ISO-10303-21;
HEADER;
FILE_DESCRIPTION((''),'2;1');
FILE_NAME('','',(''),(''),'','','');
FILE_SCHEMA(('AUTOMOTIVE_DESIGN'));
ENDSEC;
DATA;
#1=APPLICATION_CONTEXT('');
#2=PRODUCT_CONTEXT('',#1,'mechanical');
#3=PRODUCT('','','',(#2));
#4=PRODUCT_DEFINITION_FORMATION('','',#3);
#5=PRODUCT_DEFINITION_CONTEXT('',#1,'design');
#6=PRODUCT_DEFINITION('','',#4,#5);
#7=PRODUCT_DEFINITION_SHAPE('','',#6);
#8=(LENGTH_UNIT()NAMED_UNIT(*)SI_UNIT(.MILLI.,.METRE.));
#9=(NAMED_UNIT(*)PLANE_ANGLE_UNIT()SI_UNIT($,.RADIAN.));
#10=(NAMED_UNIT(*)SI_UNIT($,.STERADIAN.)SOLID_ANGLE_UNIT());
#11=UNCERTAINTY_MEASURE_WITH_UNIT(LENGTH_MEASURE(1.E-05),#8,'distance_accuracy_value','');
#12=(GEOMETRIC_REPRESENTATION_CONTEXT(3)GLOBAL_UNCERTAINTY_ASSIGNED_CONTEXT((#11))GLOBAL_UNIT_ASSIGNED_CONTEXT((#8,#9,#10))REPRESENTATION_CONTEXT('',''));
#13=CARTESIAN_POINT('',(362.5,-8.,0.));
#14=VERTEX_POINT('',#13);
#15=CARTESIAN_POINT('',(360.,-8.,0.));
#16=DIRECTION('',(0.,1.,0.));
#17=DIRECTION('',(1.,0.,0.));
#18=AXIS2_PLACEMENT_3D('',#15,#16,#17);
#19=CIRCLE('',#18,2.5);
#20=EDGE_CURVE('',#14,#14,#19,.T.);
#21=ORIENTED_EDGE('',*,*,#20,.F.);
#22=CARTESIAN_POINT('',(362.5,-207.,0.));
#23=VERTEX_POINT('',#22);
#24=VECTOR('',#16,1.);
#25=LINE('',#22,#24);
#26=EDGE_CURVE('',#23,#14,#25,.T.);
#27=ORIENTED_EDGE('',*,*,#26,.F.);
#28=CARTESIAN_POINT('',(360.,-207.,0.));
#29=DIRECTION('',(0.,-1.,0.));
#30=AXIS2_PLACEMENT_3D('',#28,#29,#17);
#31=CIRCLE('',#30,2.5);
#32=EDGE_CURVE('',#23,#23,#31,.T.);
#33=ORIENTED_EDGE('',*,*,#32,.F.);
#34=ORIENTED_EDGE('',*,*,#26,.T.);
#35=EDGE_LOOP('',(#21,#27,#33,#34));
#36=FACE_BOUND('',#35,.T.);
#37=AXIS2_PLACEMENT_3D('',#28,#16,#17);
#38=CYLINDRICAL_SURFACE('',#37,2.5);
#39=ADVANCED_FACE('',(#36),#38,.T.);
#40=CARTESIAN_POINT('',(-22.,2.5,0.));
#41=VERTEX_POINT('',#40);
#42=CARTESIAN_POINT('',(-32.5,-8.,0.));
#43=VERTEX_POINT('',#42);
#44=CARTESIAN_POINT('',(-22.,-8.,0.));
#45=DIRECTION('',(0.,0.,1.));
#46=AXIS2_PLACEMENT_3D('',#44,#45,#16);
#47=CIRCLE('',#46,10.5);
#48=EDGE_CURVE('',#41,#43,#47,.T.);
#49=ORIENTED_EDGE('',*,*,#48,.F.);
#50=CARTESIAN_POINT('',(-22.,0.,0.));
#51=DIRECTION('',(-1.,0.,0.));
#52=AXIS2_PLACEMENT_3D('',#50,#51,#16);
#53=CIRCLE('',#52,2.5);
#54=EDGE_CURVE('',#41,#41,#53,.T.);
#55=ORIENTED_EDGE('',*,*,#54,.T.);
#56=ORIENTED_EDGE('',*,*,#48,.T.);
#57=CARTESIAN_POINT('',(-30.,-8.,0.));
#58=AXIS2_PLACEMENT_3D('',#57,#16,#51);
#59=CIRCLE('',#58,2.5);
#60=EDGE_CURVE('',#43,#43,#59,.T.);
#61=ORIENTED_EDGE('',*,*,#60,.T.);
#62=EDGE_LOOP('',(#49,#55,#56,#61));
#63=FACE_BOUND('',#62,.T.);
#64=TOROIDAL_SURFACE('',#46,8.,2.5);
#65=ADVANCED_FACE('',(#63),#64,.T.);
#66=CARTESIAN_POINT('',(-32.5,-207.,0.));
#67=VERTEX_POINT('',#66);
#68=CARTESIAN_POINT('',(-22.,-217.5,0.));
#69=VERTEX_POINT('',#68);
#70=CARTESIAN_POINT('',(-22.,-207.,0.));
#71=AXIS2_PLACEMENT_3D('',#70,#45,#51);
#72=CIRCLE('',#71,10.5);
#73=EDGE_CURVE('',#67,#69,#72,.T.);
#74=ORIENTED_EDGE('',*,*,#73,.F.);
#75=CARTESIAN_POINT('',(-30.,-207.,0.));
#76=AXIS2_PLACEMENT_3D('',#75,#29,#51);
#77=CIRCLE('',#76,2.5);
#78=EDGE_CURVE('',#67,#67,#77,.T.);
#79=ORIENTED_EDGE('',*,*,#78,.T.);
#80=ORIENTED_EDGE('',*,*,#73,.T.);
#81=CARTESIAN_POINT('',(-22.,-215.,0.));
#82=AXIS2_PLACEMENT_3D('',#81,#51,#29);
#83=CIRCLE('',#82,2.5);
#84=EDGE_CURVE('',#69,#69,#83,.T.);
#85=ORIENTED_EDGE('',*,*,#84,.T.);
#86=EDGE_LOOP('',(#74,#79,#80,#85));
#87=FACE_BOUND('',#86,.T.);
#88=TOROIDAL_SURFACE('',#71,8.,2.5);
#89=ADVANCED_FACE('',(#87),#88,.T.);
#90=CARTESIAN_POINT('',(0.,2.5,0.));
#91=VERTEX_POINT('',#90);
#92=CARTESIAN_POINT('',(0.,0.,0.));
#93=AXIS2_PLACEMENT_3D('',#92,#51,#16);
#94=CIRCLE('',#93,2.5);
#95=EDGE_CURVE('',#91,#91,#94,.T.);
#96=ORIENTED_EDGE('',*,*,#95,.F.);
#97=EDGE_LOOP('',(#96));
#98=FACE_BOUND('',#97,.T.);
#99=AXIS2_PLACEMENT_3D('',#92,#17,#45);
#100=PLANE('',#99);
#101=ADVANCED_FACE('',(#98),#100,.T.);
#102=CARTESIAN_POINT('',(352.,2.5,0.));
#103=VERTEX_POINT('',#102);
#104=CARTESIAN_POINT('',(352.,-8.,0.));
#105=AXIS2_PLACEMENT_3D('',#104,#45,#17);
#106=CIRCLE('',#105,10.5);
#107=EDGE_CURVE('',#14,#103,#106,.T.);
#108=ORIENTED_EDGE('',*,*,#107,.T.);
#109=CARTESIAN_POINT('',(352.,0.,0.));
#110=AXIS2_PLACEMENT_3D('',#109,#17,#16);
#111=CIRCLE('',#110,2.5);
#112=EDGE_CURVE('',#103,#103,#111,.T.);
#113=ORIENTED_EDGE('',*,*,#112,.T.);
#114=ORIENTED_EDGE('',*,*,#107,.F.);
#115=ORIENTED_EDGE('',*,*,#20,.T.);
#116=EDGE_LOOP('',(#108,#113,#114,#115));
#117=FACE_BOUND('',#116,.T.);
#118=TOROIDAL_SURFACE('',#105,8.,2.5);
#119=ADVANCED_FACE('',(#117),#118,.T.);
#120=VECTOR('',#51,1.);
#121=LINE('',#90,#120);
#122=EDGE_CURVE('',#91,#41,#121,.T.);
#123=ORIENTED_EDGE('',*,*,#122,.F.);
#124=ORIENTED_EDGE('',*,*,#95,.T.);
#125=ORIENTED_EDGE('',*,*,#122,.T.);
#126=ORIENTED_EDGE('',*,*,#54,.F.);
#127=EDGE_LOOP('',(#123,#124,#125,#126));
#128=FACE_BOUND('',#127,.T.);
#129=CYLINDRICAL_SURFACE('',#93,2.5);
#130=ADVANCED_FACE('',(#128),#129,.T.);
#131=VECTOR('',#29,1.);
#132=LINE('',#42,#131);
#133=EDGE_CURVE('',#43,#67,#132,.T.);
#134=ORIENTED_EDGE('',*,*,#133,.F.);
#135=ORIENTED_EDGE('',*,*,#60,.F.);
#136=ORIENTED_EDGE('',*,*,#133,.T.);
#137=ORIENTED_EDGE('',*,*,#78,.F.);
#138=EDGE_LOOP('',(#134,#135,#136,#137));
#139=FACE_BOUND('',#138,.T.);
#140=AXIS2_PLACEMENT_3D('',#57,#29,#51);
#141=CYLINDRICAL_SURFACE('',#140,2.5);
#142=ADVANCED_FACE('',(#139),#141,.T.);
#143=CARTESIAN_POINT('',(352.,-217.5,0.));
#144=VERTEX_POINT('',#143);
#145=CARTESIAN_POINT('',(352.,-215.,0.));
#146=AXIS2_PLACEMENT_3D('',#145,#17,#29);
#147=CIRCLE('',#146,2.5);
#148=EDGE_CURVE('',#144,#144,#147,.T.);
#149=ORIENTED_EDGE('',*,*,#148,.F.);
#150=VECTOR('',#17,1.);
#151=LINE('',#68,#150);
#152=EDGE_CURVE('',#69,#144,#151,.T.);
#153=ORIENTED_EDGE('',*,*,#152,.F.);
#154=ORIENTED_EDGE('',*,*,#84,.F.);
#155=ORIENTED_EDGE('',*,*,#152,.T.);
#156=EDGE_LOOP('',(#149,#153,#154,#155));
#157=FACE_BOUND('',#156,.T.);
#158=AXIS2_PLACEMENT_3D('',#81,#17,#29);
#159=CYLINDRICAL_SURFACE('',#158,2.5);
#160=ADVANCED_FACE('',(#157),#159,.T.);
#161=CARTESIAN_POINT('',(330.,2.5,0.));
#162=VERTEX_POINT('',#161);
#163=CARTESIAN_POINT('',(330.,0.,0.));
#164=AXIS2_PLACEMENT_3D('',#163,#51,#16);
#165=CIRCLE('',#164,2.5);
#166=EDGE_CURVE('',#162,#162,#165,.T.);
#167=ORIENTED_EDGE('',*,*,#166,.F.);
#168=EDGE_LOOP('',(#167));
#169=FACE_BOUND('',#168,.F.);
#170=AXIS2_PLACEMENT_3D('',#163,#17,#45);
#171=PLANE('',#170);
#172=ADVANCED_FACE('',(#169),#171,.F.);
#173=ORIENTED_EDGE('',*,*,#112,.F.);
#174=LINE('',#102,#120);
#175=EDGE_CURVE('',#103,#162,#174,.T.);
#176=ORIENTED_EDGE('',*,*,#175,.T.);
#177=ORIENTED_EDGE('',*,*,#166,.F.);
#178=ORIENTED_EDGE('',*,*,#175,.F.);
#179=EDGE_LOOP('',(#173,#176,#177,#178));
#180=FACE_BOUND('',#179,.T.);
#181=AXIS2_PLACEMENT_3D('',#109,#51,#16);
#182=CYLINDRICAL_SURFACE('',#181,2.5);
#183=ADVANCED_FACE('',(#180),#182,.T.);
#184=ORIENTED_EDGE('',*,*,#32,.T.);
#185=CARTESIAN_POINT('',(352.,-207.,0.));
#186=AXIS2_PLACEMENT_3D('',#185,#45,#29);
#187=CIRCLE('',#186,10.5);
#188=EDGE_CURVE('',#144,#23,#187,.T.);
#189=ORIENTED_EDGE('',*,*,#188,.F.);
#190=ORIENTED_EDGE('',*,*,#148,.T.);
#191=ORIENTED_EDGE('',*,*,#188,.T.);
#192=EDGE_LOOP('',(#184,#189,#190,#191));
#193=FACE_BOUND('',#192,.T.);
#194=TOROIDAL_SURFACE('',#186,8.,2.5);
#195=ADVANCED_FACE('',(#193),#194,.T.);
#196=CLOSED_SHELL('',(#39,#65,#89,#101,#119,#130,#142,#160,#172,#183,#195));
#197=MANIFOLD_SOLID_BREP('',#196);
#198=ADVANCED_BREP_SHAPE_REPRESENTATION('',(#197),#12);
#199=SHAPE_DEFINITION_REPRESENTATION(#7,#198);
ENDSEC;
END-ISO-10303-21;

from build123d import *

# Parameters (mm, degrees)
F1_R = 2.5


with BuildPart() as f2:
    # F2: sweep along a path in F0
    with BuildLine(Plane.XY) as f2_path:
        Line((0, 0), (-22, 0))
        ThreePointArc((-22, 0), (-27.6568542495, -2.3431457505), (-30, -8))
        Line((-30, -8), (-30, -207))
        ThreePointArc((-30, -207), (-27.6568542495, -212.6568542495), (-22, -215))
        Line((-22, -215), (352, -215))
        ThreePointArc((352, -215), (357.6568542495, -212.6568542495), (360, -207))
        Line((360, -207), (360, -8))
        ThreePointArc((360, -8), (357.6568542495, -2.3431457505), (352, 0))
        Line((352, 0), (330, 0))
    # F1 (on Right) → F2 (sweep)
    with BuildSketch(Plane.YZ):
        Circle(F1_R)
    sweep(path=f2_path.line)


solid = f2.part
